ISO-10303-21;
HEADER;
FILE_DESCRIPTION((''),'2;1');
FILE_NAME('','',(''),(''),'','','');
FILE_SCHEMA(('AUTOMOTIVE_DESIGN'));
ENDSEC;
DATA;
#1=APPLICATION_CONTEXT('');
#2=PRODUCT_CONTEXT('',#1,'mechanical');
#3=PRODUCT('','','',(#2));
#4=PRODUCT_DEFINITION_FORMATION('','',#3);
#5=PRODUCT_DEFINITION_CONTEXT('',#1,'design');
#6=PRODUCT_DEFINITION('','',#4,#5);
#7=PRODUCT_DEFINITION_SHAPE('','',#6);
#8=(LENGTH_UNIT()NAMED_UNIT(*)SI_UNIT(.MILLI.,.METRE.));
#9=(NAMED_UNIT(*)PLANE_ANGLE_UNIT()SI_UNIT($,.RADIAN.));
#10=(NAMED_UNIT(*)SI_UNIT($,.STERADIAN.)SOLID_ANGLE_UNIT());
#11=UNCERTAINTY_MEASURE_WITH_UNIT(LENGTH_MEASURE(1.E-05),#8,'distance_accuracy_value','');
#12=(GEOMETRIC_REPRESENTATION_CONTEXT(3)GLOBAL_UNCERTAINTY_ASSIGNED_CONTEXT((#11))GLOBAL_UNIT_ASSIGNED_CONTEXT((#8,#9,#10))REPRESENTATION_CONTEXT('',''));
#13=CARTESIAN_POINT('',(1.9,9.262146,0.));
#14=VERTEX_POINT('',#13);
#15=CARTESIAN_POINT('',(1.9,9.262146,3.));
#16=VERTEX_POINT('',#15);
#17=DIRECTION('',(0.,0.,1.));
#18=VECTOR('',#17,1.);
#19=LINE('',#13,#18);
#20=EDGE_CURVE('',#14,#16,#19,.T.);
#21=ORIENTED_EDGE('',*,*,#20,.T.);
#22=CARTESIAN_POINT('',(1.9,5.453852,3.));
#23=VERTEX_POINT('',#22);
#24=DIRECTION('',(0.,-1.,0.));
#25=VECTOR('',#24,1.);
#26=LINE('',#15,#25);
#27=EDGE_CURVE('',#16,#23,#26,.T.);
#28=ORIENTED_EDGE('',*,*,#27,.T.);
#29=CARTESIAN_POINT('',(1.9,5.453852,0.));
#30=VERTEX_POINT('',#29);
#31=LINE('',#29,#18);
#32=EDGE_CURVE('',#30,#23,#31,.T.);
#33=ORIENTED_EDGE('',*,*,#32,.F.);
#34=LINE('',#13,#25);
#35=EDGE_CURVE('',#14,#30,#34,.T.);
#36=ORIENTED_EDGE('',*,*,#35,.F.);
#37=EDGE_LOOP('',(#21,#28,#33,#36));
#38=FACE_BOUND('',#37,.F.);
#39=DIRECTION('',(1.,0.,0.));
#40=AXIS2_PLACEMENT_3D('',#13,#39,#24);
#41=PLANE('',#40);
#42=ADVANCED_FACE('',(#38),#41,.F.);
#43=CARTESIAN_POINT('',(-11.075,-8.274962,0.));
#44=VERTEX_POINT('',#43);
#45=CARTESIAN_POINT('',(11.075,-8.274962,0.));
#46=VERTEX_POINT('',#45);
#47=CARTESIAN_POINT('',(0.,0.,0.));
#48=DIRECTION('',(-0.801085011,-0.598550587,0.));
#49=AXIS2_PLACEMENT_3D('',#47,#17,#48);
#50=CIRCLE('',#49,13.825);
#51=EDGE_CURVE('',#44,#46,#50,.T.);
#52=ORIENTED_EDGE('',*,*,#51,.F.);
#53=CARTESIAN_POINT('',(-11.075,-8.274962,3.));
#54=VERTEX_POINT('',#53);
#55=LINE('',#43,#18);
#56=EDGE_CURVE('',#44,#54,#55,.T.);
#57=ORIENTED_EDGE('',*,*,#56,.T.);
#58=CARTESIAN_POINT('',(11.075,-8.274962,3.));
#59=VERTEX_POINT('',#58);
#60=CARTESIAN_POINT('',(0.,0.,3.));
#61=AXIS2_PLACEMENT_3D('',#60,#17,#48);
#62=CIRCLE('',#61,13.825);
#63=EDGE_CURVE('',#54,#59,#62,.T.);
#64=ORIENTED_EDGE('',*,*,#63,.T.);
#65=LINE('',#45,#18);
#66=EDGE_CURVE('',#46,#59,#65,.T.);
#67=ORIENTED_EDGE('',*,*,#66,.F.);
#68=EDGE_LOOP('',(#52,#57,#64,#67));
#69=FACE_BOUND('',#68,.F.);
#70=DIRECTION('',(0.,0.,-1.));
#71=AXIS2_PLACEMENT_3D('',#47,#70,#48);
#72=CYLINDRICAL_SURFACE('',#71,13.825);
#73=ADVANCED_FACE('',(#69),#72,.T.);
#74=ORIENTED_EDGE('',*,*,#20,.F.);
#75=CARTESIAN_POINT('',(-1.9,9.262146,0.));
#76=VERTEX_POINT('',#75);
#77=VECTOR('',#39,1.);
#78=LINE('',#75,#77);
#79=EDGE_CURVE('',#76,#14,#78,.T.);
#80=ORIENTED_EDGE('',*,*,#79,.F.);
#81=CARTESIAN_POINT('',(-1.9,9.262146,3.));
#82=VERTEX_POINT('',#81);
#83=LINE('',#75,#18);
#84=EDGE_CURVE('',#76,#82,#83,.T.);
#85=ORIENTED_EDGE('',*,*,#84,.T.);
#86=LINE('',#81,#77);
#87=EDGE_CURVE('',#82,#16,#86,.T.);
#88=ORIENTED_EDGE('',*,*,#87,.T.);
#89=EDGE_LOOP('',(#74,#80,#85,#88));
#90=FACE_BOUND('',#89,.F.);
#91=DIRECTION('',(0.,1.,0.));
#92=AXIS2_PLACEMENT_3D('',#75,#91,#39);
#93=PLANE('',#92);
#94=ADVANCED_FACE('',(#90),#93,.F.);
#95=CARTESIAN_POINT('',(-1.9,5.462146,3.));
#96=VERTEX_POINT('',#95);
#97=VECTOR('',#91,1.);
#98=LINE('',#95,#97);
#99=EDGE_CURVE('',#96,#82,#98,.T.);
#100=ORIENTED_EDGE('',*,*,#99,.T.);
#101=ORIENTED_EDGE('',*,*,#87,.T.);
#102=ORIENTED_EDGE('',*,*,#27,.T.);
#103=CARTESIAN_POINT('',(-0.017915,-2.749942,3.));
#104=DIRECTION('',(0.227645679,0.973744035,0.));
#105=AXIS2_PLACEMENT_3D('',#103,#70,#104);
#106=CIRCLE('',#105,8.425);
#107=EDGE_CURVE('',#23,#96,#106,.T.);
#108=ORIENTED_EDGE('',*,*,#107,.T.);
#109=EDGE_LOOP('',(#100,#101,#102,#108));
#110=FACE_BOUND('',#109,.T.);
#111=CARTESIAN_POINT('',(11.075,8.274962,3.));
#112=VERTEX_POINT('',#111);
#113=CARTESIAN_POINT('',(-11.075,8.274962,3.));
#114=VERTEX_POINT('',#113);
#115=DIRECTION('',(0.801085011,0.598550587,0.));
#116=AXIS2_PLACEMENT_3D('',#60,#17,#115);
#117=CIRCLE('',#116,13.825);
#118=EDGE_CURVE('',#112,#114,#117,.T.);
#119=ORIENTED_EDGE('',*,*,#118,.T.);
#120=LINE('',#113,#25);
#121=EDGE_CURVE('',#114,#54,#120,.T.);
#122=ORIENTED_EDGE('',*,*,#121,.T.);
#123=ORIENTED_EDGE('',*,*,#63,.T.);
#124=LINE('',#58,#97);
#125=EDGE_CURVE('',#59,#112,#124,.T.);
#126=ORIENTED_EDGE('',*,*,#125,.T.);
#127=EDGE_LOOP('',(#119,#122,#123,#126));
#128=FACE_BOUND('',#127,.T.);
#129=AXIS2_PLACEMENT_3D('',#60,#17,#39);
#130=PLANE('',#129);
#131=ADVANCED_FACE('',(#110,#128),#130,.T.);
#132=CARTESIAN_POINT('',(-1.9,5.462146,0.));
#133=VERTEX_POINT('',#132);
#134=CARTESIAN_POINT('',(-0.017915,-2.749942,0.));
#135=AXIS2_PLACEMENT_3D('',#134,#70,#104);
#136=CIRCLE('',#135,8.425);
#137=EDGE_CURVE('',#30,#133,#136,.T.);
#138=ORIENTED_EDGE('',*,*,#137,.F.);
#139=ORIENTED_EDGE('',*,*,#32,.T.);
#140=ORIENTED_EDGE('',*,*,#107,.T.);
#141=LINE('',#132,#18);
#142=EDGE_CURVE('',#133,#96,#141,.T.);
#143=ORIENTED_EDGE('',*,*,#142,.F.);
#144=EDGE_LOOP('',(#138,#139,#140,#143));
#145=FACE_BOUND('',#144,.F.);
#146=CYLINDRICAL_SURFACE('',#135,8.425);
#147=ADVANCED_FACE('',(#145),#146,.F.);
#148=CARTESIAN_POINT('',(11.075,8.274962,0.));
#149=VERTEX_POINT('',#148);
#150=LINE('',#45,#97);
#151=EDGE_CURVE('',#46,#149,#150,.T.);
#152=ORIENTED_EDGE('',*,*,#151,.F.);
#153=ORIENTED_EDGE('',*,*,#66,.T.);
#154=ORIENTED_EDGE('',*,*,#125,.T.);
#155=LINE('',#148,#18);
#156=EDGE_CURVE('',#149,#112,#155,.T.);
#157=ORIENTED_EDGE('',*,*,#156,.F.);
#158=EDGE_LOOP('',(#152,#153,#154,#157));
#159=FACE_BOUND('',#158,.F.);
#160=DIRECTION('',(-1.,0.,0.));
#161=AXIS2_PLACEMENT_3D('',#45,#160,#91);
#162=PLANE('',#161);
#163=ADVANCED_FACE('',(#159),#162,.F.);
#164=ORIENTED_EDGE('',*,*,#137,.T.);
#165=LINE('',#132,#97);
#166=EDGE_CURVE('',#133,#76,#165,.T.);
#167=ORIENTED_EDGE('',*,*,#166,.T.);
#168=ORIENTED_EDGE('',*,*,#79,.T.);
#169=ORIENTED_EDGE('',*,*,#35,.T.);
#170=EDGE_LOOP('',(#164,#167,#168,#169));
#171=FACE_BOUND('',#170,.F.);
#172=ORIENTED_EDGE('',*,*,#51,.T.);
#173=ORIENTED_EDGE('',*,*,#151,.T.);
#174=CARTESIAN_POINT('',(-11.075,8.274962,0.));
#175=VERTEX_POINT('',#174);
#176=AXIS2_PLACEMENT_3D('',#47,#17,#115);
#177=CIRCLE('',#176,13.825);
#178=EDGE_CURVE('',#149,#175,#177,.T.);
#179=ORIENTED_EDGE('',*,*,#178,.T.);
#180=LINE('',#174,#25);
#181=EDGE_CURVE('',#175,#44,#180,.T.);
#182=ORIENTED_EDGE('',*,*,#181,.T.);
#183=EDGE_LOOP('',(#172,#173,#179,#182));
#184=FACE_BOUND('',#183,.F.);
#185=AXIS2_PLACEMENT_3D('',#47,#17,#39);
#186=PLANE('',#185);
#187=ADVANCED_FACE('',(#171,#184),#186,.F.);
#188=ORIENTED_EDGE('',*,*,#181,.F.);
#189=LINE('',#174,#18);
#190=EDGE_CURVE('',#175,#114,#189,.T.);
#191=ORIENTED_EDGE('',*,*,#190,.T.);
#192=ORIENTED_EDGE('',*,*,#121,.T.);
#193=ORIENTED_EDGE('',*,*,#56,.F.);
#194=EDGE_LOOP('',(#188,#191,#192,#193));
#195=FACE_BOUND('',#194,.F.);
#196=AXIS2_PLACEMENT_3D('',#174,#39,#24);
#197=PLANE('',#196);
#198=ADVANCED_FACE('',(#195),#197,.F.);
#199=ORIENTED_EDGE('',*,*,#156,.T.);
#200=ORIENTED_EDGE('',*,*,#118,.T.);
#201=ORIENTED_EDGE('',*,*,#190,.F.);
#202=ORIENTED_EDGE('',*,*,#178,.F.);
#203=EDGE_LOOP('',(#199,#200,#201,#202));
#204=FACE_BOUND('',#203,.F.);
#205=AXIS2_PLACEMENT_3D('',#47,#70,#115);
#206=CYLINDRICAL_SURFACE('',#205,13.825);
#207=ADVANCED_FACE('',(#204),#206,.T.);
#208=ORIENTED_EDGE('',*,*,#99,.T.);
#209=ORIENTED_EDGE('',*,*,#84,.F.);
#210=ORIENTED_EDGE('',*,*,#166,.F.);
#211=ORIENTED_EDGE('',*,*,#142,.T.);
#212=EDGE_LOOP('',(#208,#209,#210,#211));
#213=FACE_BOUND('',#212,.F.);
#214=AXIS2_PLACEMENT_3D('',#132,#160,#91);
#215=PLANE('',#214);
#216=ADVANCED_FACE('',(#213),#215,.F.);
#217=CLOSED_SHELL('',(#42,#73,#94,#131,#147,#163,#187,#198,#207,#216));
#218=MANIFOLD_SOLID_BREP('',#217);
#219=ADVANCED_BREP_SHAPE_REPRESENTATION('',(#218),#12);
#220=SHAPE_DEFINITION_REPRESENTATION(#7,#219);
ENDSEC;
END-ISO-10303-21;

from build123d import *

# Parameters (mm, degrees)
F2_DEPTH = 3


with BuildPart() as f2:
    # F1 (on Top) → F2 (new body)
    with BuildSketch(Plane.XY):
        with BuildLine():
            Line((-11.075, 8.274962), (-11.075, -8.274962))
            ThreePointArc((-11.075, -8.274962), (0, -13.825), (11.075, -8.274962))
            Line((11.075, -8.274962), (11.075, 8.274962))
            ThreePointArc((11.075, 8.274962), (0, 13.825), (-11.075, 8.274962))
        make_face()
        with BuildLine():
            ThreePointArc((1.9, 5.453852), (-0.036302, -11.174922), (-1.9, 5.462146))
            Line((-1.9, 5.462146), (-1.9, 9.262146))
            Line((-1.9, 9.262146), (1.9, 9.262146))
            Line((1.9, 9.262146), (1.9, 5.453852))
        make_face(mode=Mode.SUBTRACT)
    extrude(amount=F2_DEPTH)


solid = f2.part
